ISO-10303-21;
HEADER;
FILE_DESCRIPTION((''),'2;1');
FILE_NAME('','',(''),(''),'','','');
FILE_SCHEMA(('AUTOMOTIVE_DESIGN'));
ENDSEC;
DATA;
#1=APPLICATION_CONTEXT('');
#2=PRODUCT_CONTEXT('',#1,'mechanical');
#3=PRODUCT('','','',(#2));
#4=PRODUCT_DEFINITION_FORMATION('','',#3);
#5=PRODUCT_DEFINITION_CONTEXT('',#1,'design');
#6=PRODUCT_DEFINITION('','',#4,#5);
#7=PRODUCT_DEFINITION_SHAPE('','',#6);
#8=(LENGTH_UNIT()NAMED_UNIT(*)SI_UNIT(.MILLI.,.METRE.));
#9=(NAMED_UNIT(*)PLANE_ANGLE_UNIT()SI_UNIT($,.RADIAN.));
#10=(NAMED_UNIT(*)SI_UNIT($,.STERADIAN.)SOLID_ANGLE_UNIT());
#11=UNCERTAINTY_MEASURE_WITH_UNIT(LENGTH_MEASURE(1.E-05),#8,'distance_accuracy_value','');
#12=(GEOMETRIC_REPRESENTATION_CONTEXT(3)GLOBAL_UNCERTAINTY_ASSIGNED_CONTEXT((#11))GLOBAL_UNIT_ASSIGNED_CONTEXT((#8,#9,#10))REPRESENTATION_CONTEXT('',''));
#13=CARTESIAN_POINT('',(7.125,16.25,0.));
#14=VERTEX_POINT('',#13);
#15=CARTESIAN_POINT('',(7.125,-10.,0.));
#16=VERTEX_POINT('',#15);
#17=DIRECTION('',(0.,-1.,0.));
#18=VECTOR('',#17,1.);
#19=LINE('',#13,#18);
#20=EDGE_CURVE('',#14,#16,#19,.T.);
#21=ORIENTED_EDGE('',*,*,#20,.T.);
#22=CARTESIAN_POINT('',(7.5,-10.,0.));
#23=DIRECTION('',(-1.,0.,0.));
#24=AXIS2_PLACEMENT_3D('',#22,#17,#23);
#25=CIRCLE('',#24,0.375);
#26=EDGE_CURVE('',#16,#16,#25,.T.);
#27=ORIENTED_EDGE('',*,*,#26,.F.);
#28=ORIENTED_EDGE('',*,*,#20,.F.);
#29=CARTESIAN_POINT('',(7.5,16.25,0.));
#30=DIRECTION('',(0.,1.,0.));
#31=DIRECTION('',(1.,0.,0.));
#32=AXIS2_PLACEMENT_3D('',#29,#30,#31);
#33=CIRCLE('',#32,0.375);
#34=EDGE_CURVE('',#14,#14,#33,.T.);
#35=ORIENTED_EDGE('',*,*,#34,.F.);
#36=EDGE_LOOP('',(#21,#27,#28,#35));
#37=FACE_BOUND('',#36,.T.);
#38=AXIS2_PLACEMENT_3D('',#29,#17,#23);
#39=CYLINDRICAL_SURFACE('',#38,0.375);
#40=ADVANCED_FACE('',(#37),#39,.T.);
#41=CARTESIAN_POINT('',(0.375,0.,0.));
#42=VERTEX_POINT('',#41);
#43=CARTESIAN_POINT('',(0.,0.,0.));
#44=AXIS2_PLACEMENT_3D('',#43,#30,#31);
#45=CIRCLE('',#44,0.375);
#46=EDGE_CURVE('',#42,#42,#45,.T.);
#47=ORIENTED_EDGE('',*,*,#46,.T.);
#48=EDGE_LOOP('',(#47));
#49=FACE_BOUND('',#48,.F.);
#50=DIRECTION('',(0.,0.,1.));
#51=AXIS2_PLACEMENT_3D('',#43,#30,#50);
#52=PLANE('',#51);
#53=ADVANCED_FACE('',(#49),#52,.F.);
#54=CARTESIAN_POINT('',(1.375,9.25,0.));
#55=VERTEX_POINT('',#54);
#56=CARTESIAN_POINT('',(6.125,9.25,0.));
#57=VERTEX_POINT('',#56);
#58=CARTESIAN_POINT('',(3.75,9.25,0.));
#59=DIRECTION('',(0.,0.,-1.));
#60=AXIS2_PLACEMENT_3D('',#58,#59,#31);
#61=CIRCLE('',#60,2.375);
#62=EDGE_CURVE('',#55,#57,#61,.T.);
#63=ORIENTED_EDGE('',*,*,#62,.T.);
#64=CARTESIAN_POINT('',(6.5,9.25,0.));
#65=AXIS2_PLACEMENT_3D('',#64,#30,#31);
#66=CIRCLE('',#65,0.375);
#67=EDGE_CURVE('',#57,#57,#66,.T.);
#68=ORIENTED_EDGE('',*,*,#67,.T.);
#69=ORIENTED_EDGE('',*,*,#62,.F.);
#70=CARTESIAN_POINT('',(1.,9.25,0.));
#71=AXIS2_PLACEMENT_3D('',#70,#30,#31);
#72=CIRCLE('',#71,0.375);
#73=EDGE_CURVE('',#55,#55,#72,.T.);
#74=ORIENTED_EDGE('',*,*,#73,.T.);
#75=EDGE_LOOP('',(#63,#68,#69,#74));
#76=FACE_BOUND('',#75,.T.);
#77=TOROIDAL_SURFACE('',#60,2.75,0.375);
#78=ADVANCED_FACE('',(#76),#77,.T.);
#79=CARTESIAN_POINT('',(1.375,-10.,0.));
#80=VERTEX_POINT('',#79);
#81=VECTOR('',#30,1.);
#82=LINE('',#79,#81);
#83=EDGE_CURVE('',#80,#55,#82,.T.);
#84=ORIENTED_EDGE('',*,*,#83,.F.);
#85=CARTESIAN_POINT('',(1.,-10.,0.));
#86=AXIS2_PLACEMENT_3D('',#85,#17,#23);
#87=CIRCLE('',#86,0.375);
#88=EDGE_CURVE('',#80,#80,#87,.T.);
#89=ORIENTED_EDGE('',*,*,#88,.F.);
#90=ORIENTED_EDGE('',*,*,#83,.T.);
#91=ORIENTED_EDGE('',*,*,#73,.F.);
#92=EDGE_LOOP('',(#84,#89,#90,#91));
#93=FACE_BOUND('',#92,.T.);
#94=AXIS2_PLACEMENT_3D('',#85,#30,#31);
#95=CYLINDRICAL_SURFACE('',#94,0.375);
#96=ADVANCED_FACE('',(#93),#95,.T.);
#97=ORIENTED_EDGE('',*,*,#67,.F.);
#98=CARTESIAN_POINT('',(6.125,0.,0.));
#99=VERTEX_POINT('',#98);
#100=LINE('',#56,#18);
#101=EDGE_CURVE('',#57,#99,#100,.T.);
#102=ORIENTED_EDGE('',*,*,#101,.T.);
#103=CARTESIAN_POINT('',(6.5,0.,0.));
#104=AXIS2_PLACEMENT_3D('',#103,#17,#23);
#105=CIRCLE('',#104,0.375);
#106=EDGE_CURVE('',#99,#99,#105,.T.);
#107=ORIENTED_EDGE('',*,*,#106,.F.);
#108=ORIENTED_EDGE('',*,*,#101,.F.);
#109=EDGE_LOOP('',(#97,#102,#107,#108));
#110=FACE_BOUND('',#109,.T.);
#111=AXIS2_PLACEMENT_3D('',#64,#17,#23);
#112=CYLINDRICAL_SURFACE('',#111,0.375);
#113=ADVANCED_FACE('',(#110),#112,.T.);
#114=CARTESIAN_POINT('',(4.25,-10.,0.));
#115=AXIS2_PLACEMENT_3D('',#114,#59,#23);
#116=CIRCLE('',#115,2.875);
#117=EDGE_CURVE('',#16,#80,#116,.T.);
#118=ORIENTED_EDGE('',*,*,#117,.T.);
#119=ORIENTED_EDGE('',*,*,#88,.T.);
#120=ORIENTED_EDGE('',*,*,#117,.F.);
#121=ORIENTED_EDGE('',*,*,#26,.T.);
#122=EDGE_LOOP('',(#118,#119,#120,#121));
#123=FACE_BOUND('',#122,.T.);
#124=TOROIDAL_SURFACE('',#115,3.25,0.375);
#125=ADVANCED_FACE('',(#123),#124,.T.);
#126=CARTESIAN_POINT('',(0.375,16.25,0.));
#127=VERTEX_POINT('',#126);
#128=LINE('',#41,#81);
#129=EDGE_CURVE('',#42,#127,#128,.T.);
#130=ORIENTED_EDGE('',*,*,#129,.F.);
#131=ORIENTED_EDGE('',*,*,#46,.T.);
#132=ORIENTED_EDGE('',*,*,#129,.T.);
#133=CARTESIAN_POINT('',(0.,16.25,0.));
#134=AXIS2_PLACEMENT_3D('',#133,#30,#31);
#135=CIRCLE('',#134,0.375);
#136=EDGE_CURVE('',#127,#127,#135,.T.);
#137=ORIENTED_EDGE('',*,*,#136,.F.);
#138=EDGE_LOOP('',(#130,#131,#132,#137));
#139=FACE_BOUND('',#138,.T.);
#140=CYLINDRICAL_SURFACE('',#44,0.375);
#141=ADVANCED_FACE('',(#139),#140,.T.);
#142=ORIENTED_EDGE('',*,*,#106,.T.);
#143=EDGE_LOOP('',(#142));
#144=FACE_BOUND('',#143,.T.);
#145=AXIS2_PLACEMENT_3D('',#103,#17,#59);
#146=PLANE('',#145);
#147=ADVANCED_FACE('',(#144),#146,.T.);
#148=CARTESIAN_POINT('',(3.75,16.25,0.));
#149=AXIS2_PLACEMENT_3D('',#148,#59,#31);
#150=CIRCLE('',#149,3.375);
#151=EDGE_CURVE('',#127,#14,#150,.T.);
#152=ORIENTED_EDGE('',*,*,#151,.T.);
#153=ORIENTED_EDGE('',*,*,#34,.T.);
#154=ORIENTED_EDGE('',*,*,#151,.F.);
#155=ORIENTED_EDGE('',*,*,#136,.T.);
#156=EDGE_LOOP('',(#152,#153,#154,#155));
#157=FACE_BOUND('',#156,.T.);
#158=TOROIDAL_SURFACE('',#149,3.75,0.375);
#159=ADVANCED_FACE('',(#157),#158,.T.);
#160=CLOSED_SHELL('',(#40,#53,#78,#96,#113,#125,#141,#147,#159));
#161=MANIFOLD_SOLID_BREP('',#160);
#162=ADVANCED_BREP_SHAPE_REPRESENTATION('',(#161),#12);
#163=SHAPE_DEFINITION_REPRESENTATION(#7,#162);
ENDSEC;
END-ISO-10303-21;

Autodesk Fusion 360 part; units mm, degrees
sketch "Sketch1" plane through (0, 0, 0) normal (0, 0, 1) x (1, 0, 0)
  line L0 (0, 0) -> (0, 16.25)
  line L1 (0, 16.25) -> (7.5, 16.25) construction
  line L2 (7.5, 16.25) -> (7.5, -10)
  line L3 (7.5, -10) -> (1, -10) construction
  line L4 (1, -10) -> (1, 9.25)
  line L5 (1, 9.25) -> (6.5, 9.25) construction
  line L6 (6.5, 9.25) -> (6.5, 0)
  arc A0 (7.5, 16.25) -> (0, 16.25) centre (3.75, 16.25) ccw
  arc A1 (1, -10) -> (7.5, -10) centre (4.25, -10) ccw
  arc A2 (6.5, 9.25) -> (1, 9.25) centre (3.75, 9.25) ccw
  dimension "d1" = 16.25
  dimension "d2" = 90
  dimension "d3" = 7.5
  dimension "d4" = 90
  dimension "d5" = 26.25
  dimension "d6" = 90
  dimension "d7" = 6.5
  dimension "d8" = 90
  dimension "d9" = 19.25
  dimension "d10" = 90
  dimension "d11" = 5.5
  dimension "d12" = 90
  dimension "d13" = 9.25
sketch "Sketch2" plane through (0, 0, 0) normal (0, 1, 0) x (1, 0, 0)
  circle A0 centre (0, 0) radius 0.375
  dimension "d14" = 0.75
sweep "Sweep1" add profiles "Sketch2" path "Sketch1" along L0 A0 L2 A1 L4 A2 L6 section 1
